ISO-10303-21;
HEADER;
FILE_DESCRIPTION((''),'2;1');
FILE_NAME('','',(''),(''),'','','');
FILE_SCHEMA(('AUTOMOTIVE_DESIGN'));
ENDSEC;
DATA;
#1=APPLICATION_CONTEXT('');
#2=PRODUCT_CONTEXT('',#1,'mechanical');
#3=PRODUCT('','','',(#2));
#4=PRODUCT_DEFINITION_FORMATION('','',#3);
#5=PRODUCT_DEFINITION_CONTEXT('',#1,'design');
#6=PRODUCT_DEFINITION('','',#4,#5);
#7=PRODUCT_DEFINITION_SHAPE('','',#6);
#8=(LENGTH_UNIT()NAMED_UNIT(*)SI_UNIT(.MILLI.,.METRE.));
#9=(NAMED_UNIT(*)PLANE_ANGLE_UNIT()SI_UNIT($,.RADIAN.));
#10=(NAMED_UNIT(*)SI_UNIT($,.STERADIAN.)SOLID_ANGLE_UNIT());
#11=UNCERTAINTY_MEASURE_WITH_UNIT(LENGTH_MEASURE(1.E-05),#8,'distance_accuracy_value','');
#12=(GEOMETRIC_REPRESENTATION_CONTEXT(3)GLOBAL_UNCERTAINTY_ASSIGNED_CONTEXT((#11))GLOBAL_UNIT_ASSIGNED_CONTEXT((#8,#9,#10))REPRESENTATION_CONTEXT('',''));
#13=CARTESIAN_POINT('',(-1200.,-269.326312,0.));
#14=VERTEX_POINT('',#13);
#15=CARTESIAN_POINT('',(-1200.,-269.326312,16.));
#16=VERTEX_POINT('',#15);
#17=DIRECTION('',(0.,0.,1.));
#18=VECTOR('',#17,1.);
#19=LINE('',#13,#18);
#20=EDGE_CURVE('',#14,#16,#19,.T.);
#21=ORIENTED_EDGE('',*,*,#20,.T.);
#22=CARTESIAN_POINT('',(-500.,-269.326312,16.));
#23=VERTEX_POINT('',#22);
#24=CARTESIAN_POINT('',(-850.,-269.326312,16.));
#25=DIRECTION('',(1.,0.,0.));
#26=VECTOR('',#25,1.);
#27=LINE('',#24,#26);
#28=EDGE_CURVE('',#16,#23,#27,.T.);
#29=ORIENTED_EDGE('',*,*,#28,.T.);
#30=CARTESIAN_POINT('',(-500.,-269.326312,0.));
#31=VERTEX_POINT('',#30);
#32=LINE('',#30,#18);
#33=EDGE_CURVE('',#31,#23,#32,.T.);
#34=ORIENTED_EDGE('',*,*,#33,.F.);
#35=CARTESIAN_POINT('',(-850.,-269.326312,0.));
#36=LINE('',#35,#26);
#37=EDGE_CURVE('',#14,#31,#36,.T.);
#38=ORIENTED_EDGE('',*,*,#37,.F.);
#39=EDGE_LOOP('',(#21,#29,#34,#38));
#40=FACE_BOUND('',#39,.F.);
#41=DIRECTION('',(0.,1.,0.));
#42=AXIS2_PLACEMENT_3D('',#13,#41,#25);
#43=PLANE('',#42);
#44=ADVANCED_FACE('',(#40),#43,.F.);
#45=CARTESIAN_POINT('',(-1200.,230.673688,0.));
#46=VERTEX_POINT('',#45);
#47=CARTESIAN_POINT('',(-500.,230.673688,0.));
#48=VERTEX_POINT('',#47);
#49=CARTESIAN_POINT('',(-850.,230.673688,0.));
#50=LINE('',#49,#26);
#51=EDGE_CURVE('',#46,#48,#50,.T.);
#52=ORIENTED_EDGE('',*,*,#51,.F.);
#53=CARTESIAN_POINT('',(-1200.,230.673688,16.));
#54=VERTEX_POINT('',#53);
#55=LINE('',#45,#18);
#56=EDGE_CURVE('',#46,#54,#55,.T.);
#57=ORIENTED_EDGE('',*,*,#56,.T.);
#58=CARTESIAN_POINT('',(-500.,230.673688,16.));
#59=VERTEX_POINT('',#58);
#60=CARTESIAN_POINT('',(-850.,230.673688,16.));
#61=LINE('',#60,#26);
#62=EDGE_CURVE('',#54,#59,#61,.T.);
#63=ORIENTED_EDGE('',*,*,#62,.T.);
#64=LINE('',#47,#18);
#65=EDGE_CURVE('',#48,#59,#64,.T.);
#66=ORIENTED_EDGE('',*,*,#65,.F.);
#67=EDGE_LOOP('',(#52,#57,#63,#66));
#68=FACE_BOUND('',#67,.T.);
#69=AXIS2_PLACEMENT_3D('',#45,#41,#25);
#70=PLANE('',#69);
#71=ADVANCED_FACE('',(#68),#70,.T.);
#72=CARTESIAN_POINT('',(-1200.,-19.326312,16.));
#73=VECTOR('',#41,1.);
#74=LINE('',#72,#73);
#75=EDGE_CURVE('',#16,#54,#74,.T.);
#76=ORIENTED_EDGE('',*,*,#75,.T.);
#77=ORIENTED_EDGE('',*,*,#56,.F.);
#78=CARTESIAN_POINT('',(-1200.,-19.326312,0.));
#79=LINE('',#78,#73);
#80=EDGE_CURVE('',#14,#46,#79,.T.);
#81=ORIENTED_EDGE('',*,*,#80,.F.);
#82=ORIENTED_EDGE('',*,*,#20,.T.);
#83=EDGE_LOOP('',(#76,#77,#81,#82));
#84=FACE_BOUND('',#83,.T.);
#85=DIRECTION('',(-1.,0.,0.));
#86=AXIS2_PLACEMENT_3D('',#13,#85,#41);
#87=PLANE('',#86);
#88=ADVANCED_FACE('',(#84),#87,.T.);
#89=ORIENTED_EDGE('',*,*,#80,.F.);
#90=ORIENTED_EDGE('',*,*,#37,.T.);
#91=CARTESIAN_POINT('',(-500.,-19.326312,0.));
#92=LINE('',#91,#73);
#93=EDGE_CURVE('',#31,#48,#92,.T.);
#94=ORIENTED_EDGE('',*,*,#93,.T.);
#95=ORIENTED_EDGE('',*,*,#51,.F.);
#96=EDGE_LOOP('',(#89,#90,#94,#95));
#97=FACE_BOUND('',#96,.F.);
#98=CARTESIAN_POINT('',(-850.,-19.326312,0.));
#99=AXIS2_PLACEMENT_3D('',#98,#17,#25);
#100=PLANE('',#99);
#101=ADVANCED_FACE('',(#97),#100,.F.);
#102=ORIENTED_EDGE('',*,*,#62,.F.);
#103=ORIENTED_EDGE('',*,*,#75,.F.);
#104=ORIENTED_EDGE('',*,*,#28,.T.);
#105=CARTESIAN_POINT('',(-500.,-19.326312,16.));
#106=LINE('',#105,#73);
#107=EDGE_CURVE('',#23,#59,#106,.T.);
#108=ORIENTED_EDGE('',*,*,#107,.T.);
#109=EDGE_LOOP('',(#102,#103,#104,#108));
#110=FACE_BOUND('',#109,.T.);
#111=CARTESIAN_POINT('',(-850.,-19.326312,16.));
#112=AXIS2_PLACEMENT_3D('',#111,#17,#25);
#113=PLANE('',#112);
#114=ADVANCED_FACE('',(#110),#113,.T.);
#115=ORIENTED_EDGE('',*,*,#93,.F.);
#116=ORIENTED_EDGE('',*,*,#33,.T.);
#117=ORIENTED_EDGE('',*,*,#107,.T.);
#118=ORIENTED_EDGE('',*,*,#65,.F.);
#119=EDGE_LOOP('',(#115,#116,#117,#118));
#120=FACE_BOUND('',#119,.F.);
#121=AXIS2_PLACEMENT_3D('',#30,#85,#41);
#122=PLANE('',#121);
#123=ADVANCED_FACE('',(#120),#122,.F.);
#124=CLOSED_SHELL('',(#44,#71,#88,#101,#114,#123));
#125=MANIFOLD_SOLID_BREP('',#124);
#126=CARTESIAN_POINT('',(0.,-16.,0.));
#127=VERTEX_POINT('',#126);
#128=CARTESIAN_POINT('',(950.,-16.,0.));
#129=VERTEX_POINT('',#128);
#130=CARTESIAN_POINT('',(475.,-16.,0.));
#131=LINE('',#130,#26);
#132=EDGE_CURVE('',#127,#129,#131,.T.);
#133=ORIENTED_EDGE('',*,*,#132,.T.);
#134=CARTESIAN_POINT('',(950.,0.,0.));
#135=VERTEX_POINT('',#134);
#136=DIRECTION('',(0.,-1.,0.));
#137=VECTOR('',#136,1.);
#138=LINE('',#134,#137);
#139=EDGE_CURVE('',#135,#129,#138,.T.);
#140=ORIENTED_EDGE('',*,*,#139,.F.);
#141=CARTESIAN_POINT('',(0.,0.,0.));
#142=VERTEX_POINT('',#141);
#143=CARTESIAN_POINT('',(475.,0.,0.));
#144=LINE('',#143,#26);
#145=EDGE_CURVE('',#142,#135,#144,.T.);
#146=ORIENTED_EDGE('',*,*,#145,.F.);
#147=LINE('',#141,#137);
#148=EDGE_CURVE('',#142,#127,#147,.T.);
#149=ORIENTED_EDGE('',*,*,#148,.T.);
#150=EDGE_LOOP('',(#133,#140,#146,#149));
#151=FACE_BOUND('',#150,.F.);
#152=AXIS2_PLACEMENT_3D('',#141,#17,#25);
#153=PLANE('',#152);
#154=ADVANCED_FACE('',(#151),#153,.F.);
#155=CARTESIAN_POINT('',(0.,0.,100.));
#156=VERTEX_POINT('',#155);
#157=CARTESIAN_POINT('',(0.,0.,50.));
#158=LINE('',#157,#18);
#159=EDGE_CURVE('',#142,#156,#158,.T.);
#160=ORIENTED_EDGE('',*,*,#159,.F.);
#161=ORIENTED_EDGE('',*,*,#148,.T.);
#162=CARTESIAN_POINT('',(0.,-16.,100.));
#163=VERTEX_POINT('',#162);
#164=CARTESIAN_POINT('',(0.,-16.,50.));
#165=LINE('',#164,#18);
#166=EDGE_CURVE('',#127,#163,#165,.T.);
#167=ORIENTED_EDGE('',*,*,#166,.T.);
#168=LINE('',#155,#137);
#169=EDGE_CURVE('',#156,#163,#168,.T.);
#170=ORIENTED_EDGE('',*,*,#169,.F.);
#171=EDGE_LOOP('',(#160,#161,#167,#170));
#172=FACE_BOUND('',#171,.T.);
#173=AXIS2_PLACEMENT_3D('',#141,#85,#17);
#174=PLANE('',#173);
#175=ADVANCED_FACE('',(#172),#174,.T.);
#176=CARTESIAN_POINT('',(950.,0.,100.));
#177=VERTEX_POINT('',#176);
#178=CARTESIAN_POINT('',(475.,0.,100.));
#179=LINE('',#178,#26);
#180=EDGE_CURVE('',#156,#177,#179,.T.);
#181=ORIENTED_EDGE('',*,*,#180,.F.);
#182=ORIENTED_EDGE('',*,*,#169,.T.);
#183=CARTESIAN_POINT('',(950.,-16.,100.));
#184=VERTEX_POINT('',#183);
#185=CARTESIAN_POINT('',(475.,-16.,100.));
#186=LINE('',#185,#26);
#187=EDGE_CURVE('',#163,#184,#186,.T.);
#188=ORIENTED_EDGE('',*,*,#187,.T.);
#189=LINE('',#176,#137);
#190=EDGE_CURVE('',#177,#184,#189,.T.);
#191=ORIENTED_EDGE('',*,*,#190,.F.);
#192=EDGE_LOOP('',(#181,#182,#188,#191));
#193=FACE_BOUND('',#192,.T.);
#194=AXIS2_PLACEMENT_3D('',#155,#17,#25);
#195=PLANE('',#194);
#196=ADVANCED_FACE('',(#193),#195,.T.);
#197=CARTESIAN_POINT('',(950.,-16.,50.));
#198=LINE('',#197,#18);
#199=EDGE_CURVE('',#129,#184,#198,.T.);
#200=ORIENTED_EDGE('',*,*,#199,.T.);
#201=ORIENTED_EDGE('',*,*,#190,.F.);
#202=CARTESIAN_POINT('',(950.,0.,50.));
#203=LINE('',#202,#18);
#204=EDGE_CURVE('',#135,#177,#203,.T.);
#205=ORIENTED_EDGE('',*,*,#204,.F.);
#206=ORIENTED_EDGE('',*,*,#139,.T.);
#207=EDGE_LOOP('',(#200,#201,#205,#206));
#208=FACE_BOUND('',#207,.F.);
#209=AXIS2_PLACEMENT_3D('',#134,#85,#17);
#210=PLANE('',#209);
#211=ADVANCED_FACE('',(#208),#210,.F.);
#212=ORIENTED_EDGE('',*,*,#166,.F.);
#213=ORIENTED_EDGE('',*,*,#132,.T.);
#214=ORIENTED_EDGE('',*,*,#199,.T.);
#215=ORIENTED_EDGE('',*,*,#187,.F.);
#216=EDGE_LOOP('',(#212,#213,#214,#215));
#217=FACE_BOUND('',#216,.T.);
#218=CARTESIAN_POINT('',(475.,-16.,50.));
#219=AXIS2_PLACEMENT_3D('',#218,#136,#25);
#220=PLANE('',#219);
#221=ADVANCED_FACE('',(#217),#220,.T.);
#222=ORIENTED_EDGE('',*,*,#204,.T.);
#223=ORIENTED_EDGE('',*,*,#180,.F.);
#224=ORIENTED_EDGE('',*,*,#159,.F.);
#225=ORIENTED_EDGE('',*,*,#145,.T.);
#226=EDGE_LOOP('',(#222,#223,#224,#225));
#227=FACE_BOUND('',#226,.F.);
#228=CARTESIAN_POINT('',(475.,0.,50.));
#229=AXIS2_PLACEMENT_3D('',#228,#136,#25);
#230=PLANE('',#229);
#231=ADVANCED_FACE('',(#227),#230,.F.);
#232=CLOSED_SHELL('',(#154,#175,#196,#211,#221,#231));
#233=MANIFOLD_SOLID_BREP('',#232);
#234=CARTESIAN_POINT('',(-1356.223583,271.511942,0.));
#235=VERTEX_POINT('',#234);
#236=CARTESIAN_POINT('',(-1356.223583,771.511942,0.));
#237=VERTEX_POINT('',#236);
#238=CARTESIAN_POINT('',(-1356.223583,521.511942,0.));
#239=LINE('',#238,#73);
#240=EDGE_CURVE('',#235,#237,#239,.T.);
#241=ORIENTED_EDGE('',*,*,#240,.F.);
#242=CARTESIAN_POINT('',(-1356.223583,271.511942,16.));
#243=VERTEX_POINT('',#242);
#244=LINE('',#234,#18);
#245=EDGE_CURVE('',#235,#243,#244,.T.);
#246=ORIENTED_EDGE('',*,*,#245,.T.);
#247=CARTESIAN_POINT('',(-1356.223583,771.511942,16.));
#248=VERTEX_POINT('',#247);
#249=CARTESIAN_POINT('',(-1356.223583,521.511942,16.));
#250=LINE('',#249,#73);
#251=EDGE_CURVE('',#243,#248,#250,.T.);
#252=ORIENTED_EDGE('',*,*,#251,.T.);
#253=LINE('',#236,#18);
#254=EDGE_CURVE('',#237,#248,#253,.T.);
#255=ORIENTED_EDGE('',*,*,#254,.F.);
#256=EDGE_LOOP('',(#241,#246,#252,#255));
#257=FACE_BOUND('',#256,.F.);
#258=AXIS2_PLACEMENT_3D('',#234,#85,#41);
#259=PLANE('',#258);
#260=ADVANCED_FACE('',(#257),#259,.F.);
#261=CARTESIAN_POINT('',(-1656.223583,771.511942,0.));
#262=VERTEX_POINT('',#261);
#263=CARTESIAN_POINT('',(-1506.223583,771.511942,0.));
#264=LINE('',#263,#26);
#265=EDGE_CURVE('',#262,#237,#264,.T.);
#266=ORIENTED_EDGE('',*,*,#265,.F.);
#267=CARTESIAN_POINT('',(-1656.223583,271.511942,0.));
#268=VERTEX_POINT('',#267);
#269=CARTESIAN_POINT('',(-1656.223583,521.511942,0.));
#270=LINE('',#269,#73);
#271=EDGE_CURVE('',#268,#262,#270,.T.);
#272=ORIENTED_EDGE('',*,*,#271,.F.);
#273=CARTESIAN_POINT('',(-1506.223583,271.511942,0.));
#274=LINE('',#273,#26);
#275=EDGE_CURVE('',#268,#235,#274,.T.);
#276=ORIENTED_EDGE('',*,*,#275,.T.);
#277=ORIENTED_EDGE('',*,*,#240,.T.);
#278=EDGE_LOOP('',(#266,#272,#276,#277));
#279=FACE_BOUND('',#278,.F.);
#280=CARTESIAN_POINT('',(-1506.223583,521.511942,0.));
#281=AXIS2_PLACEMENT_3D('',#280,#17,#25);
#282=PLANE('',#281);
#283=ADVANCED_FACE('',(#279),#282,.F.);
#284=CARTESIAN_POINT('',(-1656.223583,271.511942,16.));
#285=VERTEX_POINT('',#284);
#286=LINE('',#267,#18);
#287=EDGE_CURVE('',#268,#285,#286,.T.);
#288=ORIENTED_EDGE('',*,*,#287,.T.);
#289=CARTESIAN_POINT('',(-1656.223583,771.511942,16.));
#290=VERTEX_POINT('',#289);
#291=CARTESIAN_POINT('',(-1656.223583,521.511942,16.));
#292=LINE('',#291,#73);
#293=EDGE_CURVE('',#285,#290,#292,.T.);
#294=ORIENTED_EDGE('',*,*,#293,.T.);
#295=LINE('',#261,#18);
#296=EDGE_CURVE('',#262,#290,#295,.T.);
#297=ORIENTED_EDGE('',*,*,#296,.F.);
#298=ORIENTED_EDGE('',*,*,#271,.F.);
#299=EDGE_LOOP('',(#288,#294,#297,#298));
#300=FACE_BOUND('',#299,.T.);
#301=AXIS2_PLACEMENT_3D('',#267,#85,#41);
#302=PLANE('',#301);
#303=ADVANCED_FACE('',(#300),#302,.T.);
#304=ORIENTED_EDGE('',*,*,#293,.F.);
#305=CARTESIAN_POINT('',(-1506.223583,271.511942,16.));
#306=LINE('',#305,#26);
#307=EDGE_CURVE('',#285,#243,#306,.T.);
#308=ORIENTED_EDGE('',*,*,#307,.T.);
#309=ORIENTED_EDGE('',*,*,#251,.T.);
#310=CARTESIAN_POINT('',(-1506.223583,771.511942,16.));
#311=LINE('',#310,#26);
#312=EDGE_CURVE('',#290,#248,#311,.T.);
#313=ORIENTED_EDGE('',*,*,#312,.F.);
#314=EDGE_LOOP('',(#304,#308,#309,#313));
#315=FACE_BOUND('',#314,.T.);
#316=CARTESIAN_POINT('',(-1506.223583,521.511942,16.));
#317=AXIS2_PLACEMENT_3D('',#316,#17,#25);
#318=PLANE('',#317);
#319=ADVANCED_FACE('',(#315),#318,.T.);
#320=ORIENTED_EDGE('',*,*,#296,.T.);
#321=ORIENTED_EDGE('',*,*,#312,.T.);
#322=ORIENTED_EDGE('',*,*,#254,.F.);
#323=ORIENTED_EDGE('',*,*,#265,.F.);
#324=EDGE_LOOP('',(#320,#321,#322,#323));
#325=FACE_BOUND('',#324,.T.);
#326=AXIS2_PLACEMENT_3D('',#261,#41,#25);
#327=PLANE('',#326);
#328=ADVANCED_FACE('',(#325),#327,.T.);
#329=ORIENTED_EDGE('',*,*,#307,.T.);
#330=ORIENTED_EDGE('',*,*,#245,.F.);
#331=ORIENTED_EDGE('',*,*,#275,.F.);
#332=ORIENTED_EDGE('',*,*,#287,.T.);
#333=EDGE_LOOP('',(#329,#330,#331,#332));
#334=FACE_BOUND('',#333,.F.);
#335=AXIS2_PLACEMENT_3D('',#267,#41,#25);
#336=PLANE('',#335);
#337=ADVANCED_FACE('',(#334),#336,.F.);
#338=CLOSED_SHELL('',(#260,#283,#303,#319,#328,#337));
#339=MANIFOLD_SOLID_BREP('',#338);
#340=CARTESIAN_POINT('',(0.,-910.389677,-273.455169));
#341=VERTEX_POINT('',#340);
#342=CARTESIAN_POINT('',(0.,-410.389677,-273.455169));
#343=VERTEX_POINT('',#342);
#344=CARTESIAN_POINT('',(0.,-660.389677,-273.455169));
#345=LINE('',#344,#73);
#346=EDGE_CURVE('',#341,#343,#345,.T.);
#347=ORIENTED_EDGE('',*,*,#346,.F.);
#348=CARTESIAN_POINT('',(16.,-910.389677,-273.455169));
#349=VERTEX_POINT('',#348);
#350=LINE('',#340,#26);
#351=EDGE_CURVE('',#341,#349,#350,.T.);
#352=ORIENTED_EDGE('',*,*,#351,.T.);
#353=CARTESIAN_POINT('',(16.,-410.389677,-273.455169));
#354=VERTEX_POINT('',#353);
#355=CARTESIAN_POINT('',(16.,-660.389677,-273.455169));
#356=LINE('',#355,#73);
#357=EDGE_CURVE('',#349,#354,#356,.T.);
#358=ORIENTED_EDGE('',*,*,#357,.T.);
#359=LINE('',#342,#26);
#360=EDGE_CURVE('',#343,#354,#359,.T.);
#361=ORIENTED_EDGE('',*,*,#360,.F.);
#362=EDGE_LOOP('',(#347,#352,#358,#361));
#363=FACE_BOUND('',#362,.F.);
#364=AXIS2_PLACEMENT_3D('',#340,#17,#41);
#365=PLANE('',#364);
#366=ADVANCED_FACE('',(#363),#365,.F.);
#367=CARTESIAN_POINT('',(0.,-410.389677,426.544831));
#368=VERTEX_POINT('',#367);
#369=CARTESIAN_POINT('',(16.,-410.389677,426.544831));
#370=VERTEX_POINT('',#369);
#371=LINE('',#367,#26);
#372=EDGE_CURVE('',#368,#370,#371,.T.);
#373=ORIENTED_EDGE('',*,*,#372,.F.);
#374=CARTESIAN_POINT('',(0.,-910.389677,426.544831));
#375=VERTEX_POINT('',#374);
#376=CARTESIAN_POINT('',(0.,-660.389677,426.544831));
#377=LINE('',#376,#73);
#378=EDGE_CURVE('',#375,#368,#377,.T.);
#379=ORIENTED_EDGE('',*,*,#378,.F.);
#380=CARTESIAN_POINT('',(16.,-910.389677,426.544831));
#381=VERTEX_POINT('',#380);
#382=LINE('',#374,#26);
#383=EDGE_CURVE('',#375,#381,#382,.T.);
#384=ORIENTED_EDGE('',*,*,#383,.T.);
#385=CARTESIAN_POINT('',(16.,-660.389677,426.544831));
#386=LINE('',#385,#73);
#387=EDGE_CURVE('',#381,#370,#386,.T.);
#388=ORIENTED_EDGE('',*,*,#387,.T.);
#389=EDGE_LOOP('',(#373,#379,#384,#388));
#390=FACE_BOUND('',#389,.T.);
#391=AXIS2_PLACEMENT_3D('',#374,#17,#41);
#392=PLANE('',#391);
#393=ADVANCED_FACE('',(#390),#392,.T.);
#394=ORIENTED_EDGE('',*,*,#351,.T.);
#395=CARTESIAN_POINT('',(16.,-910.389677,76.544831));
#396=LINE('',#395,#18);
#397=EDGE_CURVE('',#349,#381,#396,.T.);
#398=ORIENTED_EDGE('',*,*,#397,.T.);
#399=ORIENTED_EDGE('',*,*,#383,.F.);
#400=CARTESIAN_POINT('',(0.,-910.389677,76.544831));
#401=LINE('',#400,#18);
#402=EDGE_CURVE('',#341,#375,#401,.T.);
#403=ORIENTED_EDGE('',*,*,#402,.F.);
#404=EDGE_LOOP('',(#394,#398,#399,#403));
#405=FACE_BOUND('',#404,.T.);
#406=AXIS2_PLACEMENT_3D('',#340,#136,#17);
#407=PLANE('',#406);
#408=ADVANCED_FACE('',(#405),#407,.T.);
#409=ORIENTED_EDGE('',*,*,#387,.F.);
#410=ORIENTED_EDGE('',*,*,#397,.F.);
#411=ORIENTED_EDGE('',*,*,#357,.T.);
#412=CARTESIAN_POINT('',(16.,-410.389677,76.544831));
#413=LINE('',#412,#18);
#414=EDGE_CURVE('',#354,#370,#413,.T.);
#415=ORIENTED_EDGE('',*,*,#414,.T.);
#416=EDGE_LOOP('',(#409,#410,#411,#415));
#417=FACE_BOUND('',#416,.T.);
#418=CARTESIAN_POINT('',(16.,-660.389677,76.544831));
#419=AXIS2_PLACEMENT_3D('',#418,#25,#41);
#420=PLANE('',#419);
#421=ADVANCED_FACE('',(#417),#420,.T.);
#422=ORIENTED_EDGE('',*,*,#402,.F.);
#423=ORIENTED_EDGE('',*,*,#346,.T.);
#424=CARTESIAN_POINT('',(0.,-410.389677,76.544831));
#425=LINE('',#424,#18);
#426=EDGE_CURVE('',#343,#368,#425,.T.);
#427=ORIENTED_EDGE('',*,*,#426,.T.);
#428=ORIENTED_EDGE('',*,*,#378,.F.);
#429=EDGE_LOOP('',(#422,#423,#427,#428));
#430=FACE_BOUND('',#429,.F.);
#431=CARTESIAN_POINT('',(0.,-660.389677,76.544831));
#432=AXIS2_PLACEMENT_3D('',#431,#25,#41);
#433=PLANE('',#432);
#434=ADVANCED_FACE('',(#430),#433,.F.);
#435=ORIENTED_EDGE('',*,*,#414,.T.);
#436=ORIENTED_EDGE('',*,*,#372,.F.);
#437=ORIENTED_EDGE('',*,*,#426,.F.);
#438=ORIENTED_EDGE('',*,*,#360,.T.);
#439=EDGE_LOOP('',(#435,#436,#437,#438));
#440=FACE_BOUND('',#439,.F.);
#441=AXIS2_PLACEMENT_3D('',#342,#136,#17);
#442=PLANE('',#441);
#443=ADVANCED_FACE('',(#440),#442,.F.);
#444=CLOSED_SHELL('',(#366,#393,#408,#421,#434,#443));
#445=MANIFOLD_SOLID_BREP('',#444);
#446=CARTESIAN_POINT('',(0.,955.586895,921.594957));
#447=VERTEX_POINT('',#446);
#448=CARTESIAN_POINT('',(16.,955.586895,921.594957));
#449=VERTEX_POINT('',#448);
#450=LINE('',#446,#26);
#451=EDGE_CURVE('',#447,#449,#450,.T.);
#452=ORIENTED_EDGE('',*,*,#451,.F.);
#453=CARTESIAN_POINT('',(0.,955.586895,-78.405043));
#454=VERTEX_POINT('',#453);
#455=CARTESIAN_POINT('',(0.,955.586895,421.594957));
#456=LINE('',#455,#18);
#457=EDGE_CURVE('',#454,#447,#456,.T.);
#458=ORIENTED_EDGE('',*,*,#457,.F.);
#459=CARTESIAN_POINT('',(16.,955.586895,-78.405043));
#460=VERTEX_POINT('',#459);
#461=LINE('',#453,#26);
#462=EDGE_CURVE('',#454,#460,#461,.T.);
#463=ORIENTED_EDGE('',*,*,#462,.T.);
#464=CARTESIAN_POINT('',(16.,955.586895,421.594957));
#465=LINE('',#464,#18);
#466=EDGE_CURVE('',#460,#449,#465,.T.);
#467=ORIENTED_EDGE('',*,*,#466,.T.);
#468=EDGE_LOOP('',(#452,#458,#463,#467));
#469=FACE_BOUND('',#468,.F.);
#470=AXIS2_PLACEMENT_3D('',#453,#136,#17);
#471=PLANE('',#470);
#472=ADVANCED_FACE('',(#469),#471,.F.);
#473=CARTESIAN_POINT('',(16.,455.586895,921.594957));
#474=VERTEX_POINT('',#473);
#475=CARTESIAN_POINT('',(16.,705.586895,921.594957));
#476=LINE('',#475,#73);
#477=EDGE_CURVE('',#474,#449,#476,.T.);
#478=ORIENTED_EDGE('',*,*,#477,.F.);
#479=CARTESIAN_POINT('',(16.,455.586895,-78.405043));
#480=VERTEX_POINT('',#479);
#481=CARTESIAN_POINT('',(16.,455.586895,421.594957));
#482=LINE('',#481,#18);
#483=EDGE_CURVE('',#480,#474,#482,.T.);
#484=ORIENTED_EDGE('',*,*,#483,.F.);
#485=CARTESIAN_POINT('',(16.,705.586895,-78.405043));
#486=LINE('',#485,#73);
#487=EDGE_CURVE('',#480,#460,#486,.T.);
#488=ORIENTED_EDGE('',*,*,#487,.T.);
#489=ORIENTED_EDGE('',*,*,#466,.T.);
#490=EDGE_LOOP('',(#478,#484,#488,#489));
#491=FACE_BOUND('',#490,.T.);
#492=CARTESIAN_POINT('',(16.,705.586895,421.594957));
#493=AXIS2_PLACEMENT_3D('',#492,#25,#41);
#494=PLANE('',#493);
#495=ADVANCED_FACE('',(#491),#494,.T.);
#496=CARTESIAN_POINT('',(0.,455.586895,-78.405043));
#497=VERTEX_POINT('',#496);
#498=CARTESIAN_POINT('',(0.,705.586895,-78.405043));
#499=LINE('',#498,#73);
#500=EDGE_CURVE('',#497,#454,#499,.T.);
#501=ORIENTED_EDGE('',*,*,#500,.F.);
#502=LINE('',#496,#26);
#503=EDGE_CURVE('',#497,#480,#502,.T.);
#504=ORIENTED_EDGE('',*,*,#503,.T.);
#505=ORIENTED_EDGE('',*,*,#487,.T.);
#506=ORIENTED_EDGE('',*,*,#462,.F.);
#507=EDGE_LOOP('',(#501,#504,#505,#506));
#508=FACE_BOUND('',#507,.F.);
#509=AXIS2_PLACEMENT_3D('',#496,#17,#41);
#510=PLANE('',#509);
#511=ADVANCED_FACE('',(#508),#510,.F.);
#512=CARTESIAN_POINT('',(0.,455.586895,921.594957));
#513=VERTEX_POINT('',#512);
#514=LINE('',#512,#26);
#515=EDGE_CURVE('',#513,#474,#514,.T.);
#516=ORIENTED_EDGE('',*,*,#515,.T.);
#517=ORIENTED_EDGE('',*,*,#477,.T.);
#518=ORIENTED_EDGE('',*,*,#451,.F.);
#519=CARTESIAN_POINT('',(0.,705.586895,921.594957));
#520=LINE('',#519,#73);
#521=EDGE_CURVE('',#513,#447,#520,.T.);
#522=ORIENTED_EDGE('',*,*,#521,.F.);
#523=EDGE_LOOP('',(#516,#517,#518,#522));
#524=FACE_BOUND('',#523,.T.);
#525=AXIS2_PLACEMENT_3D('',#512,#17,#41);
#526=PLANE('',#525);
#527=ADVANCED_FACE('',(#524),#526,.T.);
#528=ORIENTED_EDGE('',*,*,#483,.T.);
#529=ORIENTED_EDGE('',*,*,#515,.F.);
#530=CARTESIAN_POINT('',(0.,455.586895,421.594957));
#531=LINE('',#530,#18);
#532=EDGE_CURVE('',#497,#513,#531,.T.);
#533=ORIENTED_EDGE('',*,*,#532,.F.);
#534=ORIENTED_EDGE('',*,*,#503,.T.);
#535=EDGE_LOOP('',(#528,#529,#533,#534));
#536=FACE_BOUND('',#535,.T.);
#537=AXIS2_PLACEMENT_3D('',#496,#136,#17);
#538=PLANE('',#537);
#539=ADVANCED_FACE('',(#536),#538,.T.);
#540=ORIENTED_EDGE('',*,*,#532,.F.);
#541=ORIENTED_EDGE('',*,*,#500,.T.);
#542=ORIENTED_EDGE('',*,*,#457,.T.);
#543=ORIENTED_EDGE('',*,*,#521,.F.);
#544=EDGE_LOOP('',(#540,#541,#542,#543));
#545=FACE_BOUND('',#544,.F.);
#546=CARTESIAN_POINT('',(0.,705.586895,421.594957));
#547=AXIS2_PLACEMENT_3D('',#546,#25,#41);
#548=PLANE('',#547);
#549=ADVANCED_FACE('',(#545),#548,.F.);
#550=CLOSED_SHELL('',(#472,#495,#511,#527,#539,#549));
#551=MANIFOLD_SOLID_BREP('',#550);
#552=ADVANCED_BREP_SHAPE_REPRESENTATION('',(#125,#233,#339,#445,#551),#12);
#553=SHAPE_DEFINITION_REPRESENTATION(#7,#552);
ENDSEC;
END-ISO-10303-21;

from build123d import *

# Parameters (mm, degrees)
F0_W     = 950
F0_H     = 100
F1_DEPTH = 16
F2_W     = 500
F2_H     = 700
F3_DEPTH = 16
F4_W     = 500
F4_H     = 1000
F5_DEPTH = 16
F6_W     = 700
F6_H     = 500
F7_DEPTH = 16
F8_W     = 300
F8_H     = 500
F9_DEPTH = 16


with BuildPart() as f1:
    # F0 (on Front) → F1 (new body)
    with BuildSketch(Plane.XZ):
        with Locations((475, 50)):
            Rectangle(F0_W, F0_H)
    extrude(amount=F1_DEPTH)


with BuildPart() as f3:
    # F2 (on Right) → F3 (new body)
    with BuildSketch(Plane.YZ):
        with Locations((-660.389677, 76.544831)):
            Rectangle(F2_W, F2_H)
    extrude(amount=F3_DEPTH)


with BuildPart() as f5:
    # F4 (on Right) → F5 (new body)
    with BuildSketch(Plane.YZ):
        with Locations((705.586895, 421.594957)):
            Rectangle(F4_W, F4_H)
    extrude(amount=F5_DEPTH)


with BuildPart() as f7:
    # F6 (on Top) → F7 (new body)
    with BuildSketch(Plane.XY):
        with Locations((-850, -19.326312)):
            Rectangle(F6_W, F6_H)
    extrude(amount=F7_DEPTH)


with BuildPart() as f9:
    # F8 (on Top) → F9 (new body)
    with BuildSketch(Plane.XY):
        with Locations((-1506.223583, 521.511942)):
            Rectangle(F8_W, F8_H)
    extrude(amount=F9_DEPTH)


solid = Compound([f1.part, f3.part, f5.part, f7.part, f9.part])
